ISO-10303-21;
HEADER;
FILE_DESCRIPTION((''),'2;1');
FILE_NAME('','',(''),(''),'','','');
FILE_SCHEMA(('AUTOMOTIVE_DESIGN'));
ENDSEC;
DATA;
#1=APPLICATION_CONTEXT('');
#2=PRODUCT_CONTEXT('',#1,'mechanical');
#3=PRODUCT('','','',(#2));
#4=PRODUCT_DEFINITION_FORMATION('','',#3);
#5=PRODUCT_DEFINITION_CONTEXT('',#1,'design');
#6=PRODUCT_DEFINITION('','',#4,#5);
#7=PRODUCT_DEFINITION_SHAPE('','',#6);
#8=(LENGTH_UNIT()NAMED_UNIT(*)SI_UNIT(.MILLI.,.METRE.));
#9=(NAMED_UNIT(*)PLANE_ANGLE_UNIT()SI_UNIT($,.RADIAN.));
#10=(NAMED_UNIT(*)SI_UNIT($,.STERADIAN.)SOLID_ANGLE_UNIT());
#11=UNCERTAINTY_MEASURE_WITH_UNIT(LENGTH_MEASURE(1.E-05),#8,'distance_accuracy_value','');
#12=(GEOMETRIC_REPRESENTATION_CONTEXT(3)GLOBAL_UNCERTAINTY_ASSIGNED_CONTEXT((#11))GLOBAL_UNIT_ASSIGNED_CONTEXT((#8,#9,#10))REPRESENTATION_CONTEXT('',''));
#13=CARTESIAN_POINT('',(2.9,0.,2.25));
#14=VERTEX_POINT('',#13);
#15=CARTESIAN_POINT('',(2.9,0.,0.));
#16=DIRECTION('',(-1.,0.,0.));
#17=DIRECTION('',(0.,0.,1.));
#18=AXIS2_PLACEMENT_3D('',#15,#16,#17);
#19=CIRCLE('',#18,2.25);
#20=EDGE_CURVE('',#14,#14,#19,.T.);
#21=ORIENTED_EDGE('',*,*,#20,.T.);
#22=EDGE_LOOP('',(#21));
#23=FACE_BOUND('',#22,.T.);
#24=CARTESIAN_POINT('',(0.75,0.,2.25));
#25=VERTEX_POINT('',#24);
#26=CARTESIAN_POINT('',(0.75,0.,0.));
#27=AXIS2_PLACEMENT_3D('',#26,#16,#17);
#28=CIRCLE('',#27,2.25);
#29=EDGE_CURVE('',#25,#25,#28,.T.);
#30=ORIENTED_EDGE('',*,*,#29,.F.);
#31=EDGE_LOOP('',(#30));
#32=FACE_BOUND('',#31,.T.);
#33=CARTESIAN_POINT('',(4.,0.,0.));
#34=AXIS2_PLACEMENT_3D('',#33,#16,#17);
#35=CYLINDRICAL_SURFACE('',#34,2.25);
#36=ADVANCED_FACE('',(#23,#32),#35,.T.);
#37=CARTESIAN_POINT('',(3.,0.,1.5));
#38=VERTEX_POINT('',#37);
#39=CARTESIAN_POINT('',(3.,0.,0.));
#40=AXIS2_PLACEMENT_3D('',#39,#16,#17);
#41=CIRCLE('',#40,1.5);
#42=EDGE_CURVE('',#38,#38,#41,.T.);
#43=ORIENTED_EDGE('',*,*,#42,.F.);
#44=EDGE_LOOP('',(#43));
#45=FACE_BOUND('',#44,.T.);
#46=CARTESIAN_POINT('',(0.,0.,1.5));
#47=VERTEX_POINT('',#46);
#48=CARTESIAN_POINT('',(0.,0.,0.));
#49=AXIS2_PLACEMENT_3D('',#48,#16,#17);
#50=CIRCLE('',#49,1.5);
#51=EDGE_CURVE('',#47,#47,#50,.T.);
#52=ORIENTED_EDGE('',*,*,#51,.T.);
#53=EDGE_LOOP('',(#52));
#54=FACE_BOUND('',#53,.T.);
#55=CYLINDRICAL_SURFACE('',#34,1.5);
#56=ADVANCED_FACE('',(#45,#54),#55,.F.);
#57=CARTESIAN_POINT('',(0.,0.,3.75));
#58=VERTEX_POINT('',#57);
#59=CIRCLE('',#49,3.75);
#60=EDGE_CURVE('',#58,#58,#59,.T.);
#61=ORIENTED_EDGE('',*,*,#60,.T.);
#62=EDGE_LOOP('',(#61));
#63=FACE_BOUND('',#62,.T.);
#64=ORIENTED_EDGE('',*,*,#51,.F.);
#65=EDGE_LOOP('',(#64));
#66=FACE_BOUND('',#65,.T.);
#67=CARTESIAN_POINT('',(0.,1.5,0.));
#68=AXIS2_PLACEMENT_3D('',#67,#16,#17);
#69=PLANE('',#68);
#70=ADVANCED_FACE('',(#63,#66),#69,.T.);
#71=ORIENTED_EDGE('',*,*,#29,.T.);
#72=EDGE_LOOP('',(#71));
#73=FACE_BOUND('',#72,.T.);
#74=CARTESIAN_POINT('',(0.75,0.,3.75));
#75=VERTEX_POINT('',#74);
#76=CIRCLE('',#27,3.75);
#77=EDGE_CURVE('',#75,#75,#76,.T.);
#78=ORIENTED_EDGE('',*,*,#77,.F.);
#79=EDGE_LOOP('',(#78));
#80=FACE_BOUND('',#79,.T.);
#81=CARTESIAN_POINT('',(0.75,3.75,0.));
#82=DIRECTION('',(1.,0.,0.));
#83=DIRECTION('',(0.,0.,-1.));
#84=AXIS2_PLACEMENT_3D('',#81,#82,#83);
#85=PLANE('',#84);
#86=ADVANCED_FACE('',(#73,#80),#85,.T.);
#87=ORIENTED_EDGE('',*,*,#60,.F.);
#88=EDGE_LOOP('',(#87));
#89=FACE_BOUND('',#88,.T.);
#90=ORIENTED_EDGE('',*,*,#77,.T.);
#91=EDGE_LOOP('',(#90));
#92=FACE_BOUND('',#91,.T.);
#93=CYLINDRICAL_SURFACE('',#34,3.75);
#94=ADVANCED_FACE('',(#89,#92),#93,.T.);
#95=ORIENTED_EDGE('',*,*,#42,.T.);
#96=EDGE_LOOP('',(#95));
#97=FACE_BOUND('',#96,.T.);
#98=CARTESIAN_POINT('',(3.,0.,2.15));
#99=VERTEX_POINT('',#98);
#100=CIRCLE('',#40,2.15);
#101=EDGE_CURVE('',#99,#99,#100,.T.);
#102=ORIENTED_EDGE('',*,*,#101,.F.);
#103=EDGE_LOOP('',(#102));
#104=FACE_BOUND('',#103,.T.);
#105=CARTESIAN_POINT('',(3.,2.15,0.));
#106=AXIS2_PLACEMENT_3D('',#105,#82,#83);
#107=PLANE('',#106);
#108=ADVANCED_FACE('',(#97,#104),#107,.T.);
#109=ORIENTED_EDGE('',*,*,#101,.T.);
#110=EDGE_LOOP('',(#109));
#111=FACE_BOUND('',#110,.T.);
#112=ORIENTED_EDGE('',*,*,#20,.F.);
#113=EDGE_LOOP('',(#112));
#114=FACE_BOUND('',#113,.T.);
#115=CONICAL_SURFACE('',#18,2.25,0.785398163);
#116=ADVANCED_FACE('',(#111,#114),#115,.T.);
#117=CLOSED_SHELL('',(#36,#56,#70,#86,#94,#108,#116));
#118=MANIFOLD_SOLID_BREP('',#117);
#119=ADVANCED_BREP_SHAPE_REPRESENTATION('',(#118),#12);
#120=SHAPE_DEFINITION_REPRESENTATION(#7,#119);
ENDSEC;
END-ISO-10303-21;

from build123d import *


with BuildPart() as part:
    # 草图1 → 旋转1 (revolve)
    with BuildSketch(Plane(origin=(0, 0, 0), x_dir=(-1, 0, 0), z_dir=(0, 0, -1))):
        Polygon((0, 3.75), (-0.75, 3.75), (-0.75, 2.25), (-2.9, 2.25), (-3, 2.15), (-3, 1.5), (0, 1.5), align=None)
    revolve(axis=Axis((4, 0, 0), (-1, 0, 0)))


solid = part.part
